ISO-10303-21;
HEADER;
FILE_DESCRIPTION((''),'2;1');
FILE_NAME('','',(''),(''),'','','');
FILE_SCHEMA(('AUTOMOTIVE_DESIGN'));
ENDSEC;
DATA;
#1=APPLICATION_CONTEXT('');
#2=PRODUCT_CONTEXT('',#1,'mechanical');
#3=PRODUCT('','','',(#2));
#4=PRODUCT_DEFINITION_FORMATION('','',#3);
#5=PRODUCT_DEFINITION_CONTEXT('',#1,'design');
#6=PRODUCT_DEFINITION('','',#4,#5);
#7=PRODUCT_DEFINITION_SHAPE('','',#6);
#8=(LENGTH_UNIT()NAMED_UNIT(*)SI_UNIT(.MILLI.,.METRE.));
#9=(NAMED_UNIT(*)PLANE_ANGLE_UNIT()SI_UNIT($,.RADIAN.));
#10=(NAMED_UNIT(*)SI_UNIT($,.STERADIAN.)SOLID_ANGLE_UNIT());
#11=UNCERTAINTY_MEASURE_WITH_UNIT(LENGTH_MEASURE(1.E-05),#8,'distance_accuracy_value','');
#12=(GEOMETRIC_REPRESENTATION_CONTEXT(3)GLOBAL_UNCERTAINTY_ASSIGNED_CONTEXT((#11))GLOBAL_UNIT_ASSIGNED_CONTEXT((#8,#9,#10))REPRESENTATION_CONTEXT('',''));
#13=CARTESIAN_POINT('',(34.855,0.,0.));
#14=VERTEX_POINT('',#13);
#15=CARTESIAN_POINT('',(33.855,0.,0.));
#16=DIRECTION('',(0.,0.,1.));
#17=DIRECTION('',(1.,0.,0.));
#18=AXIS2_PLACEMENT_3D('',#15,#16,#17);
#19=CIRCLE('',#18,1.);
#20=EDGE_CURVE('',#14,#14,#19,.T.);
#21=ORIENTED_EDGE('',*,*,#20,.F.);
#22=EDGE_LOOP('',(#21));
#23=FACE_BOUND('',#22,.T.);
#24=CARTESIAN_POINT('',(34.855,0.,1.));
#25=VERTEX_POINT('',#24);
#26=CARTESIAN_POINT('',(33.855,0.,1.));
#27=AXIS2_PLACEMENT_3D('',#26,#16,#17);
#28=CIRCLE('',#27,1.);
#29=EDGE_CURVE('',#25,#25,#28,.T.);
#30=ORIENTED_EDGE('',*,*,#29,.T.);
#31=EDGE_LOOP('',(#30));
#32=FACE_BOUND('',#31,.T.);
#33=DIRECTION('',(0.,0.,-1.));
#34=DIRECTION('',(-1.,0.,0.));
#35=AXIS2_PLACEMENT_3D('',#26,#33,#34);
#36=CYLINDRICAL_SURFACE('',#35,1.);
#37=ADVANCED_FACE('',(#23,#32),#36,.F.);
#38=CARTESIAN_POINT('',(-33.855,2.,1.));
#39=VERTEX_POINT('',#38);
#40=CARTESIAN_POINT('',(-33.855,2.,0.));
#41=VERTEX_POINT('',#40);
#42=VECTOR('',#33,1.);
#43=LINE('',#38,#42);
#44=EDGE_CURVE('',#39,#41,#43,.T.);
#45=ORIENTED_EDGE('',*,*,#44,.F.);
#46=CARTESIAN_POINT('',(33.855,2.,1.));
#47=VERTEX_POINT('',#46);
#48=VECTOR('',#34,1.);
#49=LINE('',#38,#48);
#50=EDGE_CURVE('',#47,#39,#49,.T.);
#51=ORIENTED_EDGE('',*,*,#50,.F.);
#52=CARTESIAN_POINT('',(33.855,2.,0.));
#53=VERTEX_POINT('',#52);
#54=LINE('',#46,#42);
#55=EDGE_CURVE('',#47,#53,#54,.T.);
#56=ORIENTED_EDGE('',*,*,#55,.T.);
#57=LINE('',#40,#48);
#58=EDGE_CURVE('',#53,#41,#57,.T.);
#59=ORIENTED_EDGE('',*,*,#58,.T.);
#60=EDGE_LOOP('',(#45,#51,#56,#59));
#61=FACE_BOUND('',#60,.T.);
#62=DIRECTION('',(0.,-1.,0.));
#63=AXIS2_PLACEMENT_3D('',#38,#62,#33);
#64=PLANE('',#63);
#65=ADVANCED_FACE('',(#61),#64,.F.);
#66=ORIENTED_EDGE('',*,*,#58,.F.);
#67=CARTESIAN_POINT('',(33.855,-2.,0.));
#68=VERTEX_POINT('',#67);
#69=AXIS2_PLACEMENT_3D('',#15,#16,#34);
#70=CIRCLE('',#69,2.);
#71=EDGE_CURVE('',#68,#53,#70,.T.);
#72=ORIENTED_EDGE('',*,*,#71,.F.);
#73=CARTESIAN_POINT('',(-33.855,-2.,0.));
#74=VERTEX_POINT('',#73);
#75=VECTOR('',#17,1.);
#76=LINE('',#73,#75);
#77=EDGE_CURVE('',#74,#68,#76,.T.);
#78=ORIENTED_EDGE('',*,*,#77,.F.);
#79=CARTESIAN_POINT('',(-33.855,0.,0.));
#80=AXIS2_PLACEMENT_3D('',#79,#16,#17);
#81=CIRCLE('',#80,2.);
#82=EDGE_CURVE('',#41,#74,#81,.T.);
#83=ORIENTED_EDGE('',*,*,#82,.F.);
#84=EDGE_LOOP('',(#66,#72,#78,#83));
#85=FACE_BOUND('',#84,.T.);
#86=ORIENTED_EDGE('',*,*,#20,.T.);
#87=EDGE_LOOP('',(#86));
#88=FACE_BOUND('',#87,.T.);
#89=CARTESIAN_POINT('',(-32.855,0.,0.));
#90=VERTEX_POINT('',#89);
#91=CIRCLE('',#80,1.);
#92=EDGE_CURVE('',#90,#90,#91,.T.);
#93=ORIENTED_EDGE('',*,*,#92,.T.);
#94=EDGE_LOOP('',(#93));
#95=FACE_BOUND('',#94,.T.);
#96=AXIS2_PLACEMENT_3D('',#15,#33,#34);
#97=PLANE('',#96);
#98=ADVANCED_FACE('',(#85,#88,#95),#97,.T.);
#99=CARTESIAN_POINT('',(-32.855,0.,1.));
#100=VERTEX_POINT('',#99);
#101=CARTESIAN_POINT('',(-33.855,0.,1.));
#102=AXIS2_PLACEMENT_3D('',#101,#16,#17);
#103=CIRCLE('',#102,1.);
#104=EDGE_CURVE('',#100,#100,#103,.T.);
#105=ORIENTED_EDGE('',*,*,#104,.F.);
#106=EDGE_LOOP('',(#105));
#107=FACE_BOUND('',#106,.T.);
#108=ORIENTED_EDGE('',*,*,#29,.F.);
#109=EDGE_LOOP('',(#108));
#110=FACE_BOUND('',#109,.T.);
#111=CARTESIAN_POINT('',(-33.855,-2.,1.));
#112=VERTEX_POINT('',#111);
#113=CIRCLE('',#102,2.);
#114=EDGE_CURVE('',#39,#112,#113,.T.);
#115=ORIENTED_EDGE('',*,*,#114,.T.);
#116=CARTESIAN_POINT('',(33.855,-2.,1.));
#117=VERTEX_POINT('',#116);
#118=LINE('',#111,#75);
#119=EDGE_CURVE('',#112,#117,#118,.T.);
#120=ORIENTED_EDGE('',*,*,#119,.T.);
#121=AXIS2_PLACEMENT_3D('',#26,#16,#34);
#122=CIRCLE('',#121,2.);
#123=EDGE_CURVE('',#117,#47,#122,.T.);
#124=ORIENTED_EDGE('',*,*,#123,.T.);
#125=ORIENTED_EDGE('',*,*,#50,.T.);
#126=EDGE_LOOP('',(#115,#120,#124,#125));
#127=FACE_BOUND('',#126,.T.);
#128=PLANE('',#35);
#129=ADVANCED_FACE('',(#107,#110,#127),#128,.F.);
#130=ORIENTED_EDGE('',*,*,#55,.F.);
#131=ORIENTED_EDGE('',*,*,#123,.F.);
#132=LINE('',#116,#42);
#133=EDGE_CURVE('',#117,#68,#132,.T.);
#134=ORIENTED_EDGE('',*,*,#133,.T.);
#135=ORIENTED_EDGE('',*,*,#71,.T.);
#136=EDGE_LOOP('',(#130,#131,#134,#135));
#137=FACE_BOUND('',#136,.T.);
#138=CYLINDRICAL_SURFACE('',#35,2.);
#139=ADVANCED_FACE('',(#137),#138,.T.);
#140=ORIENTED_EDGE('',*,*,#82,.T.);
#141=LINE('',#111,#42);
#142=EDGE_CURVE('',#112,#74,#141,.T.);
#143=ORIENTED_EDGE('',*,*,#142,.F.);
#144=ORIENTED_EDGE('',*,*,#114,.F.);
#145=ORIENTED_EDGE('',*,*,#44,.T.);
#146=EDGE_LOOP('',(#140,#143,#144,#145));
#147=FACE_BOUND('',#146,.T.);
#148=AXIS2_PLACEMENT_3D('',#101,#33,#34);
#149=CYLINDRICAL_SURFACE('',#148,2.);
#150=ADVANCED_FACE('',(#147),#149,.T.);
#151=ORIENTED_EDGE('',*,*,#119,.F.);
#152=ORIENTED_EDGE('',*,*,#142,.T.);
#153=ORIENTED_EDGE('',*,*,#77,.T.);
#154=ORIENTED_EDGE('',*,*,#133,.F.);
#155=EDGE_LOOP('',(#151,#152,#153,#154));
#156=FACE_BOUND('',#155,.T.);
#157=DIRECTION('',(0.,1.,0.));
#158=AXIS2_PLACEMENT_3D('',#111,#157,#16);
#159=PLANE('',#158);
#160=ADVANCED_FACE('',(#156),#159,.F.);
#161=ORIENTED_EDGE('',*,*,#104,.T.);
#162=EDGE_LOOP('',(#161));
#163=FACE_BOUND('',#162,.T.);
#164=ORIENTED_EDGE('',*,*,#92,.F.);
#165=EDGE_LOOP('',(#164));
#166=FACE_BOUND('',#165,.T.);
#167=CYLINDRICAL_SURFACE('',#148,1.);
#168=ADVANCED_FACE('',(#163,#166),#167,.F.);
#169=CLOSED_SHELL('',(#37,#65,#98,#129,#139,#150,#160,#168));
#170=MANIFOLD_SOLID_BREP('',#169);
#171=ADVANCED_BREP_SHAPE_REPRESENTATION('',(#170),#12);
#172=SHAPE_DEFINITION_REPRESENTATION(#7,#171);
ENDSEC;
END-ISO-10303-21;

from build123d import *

# Parameters (mm, degrees)
ESBO_O1_R                = 1
RESSALTO_EXTRUS_O1_DEPTH = 1


with BuildPart() as part:
    # Esboço1 → Ressalto-extrusão1 (new body)
    with BuildSketch(Plane.XY):
        with BuildLine():
            Line((-33.855, 2), (33.855, 2))
            ThreePointArc((33.855, 2), (35.855, 0), (33.855, -2))
            Line((33.855, -2), (-33.855, -2))
            ThreePointArc((-33.855, -2), (-35.855, 0), (-33.855, 2))
        make_face()
        with Locations((-33.855, 0)):
            Circle(ESBO_O1_R, mode=Mode.SUBTRACT)
        with Locations((33.855, 0)):
            Circle(ESBO_O1_R, mode=Mode.SUBTRACT)
    extrude(amount=RESSALTO_EXTRUS_O1_DEPTH)


solid = part.part
